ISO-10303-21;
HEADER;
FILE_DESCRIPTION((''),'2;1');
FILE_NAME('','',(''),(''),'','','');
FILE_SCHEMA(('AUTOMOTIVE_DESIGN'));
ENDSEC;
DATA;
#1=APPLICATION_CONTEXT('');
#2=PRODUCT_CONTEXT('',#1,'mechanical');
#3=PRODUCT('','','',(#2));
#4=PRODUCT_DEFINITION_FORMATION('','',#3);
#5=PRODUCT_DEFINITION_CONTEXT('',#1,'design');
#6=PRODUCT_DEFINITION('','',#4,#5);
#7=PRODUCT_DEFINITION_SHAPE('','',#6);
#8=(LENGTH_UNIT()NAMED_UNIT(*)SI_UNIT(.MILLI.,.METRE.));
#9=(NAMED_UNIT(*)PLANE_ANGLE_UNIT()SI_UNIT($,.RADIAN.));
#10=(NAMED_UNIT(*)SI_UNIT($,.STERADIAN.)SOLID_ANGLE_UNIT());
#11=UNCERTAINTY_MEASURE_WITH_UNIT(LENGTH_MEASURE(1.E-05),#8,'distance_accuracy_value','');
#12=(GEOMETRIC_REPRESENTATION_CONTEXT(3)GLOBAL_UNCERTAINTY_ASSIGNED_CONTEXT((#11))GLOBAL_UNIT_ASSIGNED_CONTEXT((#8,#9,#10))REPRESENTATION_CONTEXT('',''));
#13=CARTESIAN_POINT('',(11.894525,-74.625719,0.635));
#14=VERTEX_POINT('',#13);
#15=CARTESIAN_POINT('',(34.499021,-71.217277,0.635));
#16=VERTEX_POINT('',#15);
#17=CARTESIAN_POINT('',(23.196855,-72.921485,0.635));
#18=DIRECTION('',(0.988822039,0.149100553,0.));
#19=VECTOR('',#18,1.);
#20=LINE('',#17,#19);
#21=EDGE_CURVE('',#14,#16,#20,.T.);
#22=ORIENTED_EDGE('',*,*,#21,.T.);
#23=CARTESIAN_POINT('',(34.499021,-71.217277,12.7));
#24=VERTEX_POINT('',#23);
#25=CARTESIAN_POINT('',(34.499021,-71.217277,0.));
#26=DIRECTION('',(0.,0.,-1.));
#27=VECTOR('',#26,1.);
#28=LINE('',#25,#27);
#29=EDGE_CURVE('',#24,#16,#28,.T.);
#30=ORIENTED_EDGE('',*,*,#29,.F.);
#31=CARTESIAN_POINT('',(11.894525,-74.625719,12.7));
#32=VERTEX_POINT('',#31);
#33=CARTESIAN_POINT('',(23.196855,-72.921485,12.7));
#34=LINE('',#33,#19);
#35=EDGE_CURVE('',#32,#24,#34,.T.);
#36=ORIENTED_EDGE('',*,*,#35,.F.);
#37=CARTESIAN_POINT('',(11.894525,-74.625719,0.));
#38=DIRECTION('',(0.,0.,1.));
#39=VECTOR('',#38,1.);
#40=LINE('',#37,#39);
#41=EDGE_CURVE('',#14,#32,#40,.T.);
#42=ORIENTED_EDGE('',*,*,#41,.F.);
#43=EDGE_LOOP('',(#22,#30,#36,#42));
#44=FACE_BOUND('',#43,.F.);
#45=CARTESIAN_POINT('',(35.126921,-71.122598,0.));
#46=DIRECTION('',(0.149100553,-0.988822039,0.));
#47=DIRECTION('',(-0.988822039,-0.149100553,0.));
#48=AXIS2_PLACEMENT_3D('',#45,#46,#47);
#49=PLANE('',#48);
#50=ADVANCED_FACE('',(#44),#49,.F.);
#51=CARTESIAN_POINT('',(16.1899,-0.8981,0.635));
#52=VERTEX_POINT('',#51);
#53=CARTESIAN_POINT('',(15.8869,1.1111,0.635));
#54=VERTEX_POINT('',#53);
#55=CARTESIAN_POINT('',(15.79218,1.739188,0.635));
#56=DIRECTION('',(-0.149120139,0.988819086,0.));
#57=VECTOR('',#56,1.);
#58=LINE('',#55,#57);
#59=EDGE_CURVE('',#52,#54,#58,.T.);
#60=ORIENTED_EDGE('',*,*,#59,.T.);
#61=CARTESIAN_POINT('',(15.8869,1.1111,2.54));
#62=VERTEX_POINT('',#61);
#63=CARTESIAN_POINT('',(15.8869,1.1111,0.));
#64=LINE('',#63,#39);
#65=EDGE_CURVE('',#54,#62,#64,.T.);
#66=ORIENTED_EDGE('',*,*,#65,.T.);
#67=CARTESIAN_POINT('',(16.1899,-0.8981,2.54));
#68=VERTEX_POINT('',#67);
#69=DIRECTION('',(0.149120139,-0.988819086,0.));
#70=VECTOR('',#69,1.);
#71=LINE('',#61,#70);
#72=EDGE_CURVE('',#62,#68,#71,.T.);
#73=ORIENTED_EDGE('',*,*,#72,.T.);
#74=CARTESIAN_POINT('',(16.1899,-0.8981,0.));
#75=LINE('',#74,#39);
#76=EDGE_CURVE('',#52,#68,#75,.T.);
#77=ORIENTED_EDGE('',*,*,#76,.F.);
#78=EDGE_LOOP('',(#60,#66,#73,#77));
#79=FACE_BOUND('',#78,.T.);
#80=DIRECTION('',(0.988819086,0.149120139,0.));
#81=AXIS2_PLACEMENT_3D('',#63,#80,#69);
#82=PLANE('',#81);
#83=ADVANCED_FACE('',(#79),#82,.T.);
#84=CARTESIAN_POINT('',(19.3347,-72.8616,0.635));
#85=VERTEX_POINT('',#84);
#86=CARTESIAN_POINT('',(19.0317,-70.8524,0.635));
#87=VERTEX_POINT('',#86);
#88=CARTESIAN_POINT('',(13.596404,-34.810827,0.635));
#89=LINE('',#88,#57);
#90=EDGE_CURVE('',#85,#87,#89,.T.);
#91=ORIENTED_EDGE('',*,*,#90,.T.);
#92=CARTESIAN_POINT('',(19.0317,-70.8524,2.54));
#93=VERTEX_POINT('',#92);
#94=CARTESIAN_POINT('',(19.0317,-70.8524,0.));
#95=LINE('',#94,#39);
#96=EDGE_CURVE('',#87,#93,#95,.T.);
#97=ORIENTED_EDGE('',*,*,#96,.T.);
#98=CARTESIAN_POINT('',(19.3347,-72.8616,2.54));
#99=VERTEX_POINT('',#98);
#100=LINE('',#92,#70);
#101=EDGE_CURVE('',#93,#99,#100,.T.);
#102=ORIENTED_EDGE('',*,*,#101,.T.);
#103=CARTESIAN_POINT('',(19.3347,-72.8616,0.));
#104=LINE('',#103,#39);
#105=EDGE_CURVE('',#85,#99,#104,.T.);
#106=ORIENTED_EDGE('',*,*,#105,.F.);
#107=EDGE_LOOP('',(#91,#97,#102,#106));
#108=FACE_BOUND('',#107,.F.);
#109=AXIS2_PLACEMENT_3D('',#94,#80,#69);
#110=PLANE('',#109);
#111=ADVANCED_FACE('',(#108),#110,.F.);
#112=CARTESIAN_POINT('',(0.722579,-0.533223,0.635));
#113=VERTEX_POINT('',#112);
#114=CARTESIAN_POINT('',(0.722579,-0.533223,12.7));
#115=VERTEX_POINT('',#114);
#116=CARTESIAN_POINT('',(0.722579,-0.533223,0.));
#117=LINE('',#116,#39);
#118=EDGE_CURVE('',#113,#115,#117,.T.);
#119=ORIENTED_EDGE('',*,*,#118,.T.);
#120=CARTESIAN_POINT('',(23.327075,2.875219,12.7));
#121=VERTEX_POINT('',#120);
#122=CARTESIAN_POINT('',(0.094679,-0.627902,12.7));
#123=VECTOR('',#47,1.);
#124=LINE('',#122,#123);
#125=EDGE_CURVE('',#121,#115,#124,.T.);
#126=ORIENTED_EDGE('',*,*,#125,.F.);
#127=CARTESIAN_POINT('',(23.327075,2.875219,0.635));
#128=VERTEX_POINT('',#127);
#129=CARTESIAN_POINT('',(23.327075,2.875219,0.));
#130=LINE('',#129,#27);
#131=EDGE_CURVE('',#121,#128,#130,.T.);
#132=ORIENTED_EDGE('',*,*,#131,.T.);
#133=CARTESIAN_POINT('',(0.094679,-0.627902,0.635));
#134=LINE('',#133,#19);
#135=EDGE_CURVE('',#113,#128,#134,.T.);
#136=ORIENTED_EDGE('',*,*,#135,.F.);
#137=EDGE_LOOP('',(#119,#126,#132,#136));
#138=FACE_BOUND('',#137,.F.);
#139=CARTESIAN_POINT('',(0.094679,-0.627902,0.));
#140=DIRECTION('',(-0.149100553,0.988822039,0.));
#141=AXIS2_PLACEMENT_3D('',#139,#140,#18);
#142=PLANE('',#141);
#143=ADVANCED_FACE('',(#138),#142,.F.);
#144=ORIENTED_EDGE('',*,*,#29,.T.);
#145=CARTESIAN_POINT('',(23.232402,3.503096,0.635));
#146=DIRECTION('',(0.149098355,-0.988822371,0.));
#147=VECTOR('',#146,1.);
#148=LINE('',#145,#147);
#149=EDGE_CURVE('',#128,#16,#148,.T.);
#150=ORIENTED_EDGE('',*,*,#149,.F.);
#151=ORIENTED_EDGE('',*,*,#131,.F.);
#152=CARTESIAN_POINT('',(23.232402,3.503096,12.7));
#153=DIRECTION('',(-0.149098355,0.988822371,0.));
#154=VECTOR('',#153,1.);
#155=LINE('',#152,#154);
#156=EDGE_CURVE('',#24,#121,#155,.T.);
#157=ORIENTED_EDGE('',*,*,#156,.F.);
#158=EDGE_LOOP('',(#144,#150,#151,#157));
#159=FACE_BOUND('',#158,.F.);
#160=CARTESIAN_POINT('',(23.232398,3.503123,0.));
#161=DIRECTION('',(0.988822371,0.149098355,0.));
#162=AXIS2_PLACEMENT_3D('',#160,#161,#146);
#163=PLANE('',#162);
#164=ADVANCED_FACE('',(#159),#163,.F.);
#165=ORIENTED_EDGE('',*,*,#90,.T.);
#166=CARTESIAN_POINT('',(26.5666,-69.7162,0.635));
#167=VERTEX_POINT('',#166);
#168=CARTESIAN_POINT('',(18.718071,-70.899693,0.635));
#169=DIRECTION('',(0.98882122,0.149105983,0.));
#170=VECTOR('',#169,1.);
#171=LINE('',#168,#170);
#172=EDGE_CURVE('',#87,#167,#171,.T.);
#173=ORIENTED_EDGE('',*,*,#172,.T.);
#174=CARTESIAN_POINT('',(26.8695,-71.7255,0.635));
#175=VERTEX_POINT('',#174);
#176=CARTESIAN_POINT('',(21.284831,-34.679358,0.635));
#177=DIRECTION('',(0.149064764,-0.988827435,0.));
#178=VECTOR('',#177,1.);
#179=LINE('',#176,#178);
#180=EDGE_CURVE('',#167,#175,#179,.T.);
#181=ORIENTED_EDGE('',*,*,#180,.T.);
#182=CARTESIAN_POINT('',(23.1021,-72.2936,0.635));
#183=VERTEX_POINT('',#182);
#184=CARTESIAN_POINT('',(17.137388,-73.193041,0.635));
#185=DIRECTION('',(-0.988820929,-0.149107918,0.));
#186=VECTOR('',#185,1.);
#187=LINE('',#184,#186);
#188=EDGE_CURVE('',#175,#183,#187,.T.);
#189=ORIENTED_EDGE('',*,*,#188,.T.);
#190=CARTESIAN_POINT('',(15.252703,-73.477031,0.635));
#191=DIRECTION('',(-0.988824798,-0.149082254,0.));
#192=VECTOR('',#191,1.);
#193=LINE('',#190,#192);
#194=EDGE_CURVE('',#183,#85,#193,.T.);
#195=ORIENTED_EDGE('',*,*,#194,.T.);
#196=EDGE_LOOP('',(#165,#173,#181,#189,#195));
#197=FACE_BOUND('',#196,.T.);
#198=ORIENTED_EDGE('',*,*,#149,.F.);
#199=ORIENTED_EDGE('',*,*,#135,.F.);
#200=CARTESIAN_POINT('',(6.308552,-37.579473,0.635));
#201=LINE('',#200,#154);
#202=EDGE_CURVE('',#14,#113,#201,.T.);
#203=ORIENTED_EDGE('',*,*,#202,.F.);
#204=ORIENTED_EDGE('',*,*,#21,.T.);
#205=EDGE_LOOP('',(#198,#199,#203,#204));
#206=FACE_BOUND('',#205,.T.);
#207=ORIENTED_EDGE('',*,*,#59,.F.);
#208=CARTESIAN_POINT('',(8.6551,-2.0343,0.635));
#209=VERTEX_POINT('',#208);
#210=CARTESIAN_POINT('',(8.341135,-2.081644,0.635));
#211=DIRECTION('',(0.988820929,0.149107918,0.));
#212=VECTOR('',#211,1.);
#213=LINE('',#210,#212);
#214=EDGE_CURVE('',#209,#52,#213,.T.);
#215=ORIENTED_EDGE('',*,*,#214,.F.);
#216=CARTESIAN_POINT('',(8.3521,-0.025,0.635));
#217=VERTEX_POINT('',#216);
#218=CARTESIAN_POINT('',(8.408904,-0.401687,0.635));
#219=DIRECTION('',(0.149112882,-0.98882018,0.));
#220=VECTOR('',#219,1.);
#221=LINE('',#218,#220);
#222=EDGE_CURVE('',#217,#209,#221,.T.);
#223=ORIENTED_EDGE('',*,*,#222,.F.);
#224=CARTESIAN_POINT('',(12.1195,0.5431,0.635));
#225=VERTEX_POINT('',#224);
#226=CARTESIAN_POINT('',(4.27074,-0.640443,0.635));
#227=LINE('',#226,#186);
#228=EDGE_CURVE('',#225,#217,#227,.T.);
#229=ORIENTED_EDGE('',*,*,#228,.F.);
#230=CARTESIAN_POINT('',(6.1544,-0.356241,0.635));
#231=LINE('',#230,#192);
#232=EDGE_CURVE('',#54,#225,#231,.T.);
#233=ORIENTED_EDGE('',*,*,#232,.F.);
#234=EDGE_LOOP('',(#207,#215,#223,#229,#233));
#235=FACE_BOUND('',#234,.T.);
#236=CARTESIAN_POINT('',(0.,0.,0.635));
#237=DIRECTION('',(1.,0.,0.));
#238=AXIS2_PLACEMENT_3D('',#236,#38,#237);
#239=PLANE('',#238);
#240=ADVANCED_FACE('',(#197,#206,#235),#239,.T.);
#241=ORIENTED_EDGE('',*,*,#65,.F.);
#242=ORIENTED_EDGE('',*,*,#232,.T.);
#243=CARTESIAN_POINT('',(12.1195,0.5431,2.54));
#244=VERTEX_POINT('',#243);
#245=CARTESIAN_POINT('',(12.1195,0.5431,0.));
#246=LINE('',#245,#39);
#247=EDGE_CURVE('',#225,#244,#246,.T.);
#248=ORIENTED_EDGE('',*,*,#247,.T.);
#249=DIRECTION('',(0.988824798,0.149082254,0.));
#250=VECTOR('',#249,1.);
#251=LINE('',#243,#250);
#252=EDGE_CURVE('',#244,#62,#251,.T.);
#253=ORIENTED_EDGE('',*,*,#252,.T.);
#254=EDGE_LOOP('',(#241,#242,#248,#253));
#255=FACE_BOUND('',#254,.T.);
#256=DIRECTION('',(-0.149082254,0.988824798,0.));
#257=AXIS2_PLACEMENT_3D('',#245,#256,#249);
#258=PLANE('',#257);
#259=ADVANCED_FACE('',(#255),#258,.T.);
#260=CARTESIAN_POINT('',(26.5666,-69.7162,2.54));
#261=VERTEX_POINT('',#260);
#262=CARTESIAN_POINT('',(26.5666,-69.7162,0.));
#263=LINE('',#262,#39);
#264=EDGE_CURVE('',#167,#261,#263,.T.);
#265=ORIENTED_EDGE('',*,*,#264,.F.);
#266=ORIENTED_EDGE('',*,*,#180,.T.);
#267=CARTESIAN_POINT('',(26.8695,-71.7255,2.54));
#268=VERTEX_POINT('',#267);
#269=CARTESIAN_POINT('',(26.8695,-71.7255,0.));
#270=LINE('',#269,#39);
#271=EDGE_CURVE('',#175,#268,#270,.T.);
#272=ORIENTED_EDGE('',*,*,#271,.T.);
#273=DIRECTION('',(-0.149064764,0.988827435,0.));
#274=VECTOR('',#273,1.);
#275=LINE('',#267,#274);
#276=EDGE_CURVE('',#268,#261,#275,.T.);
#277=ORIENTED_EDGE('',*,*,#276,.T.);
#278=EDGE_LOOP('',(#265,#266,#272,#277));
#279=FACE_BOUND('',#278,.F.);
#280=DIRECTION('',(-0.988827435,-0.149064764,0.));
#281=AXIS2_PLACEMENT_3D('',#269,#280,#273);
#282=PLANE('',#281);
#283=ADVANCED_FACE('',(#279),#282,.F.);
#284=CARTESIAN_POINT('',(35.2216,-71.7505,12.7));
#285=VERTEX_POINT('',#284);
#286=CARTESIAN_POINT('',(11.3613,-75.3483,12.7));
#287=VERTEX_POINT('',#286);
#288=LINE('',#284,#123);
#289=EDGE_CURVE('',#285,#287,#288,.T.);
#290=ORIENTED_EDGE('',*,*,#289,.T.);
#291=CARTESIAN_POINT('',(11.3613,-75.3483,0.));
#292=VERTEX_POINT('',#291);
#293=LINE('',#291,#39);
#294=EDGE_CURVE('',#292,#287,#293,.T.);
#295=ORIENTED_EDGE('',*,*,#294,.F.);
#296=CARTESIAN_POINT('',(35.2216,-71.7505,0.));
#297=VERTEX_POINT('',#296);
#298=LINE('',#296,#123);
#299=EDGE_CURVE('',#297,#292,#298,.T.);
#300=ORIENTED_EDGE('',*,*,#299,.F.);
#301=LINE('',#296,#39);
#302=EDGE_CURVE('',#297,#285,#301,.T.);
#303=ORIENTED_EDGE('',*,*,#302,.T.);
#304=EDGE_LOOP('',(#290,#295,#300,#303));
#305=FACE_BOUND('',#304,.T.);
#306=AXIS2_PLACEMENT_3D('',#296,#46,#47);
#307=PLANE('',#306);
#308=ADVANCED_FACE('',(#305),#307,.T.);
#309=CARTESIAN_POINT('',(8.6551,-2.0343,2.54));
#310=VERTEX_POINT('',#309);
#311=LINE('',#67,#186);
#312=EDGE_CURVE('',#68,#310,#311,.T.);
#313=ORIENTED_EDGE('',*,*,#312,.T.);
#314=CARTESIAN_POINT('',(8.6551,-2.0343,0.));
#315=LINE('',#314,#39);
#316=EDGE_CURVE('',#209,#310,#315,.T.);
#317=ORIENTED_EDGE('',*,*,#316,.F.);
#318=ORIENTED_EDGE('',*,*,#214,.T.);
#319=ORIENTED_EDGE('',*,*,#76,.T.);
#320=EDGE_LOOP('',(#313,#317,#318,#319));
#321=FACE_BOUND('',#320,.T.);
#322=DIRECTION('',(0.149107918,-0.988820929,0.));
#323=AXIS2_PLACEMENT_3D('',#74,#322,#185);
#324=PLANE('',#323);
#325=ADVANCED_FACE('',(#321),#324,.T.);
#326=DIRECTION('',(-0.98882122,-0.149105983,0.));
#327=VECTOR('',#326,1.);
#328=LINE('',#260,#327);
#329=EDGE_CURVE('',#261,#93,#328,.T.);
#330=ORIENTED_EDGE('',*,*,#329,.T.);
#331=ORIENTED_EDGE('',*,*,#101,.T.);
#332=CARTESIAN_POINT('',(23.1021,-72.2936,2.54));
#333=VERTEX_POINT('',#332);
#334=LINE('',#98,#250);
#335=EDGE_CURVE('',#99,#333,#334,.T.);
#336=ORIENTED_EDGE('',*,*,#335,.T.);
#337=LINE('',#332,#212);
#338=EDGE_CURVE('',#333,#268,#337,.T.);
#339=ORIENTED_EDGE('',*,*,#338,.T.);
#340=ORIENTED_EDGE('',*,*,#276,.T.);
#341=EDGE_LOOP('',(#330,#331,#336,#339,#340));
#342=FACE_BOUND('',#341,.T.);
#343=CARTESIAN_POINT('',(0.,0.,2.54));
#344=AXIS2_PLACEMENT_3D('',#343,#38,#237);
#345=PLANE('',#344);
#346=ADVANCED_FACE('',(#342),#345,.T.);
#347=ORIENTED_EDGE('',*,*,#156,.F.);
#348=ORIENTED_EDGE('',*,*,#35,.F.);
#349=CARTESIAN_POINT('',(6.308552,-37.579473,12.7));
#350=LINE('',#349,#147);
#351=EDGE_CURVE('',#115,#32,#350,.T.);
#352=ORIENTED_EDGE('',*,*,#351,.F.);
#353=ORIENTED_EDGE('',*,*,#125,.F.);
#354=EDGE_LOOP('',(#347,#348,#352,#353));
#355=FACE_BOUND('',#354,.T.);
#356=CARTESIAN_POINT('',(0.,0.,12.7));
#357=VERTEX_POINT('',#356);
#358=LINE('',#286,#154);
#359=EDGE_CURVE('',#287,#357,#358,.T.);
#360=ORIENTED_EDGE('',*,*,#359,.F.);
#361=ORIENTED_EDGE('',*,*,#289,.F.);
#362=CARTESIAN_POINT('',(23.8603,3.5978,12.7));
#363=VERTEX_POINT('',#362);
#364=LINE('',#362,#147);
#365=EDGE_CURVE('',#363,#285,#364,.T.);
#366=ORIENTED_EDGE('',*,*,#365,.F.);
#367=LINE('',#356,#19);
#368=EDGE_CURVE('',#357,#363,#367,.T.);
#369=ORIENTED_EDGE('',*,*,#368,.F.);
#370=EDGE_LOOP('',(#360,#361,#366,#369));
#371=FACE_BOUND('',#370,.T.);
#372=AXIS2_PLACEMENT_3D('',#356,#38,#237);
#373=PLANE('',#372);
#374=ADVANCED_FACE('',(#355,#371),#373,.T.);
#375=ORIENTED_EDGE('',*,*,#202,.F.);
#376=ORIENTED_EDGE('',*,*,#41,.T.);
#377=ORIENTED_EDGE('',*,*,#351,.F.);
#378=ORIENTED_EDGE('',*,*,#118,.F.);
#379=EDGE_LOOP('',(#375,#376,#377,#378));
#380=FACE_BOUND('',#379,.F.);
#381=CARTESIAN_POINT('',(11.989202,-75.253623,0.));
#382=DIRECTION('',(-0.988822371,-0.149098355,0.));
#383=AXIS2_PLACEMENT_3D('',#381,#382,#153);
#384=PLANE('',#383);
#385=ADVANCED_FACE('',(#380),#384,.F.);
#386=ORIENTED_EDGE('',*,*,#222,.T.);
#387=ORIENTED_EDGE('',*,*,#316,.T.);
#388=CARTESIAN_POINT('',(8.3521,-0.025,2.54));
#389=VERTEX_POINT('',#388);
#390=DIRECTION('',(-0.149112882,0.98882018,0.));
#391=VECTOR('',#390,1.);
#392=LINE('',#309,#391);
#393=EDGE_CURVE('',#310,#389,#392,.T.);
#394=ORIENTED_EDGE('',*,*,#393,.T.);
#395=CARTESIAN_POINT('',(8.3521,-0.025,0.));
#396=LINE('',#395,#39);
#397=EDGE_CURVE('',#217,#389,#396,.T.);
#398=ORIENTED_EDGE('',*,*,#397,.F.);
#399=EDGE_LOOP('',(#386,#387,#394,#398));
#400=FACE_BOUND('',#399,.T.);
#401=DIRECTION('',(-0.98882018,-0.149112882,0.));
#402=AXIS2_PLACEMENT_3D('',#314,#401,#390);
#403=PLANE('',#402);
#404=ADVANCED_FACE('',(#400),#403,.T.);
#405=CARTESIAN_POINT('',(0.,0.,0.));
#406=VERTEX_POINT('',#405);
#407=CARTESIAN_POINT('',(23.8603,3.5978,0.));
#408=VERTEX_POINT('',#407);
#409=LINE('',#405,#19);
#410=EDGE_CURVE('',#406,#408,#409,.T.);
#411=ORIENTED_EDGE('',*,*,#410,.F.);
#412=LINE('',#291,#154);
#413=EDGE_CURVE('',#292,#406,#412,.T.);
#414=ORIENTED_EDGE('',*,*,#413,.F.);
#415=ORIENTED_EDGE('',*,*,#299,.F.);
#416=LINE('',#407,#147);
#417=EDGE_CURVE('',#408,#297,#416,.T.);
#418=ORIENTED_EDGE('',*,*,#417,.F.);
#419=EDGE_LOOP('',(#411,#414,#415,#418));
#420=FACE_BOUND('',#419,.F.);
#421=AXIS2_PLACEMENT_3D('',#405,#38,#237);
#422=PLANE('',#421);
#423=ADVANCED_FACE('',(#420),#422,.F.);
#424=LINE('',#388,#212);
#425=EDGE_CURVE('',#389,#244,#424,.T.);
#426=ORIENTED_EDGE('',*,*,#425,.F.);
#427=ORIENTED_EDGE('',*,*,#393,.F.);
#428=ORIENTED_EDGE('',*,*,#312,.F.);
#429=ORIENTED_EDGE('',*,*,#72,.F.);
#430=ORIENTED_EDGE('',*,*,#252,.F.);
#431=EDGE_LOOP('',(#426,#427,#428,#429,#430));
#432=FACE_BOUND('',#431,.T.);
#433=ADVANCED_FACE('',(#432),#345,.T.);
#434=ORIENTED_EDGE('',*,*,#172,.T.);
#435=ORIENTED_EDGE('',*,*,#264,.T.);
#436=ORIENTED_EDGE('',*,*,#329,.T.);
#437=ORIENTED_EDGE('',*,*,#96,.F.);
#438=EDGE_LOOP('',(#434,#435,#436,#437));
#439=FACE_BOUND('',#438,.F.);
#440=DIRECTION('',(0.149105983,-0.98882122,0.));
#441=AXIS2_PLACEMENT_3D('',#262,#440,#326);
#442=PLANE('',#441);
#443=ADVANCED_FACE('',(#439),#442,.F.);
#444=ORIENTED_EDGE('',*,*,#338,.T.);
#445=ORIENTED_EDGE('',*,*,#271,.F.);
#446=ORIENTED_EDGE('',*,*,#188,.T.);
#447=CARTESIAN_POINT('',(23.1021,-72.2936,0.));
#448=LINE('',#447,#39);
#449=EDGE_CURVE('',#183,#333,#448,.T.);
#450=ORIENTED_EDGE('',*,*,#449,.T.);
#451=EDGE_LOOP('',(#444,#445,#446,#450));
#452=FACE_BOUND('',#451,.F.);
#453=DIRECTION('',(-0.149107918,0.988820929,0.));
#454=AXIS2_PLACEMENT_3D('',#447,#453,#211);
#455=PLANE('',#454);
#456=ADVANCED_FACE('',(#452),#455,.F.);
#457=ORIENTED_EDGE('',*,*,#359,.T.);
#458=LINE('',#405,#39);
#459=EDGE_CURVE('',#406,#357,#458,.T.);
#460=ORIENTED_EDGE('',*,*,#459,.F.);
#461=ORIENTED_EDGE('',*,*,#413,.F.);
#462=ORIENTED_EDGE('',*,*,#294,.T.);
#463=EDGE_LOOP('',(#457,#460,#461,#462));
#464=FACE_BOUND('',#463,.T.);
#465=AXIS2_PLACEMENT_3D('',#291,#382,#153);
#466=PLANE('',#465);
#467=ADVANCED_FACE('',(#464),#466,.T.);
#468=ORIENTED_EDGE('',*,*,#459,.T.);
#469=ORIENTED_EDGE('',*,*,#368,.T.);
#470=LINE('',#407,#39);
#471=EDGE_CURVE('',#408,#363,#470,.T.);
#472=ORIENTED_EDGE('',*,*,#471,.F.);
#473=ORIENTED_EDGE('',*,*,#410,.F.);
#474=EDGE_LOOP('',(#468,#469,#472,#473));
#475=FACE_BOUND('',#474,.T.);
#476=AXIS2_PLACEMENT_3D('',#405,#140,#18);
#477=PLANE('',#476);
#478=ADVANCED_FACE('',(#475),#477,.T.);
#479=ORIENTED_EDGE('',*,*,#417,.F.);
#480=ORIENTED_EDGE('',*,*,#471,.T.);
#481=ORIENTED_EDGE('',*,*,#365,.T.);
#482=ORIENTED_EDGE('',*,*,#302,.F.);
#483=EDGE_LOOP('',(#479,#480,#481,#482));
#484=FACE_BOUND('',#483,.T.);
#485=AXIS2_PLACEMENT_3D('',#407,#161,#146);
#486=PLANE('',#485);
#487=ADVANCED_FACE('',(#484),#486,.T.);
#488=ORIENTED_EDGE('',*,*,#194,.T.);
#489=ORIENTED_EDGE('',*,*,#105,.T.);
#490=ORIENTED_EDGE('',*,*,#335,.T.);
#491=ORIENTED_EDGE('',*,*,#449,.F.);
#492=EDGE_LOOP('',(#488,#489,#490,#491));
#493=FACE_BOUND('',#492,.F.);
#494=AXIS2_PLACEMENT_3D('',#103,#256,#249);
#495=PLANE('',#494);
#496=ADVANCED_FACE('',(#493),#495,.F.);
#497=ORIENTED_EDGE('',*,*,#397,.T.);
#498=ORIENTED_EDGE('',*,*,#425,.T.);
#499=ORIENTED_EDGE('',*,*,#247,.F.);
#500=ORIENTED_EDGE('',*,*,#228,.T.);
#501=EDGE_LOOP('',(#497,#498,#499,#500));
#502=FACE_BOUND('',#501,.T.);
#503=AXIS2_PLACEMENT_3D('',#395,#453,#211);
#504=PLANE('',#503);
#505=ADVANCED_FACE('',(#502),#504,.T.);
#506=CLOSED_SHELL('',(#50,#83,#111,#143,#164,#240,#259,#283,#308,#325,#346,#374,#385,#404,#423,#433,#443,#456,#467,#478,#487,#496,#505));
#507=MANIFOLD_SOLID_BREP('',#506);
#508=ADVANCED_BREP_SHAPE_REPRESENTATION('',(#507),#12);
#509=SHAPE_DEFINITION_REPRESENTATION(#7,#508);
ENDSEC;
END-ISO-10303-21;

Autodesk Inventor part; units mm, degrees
ref_plane "YZ Plane" through (0, 0, 0) normal (1, 0, 0) x (0, 1, 0)
ref_plane "XZ Plane" through (0, 0, 0) normal (0, 1, 0) x (-1, 0, 0)
ref_plane "XY Plane" through (0, 0, 0) normal (0, 0, 1) x (1, 0, 0)
sketch "Sketch1" plane through (0, 0, 0) normal (0, 0, 1) x (1, 0, 0)
  line L0 (0, 0) -> (23.8603, 3.5978)
  line L1 (23.8603, 3.5978) -> (35.2216, -71.7505)
  line L2 (35.2216, -71.7505) -> (11.3613, -75.3483)
  line L3 (11.3613, -75.3483) -> (0, 0)
  line L4 (12.1195, 0.5431) -> (15.8869, 1.1111)
  line L5 (15.8869, 1.1111) -> (16.1899, -0.8981)
  line L6 (16.1899, -0.8981) -> (8.6551, -2.0343)
  line L7 (8.6551, -2.0343) -> (8.3521, -0.025)
  line L8 (8.3521, -0.025) -> (12.1195, 0.5431)
  line L9 (23.1021, -72.2936) -> (26.8695, -71.7255)
  line L10 (26.8695, -71.7255) -> (26.5666, -69.7162)
  line L11 (26.5666, -69.7162) -> (19.0317, -70.8524)
  line L12 (19.0317, -70.8524) -> (19.3347, -72.8616)
  line L13 (19.3347, -72.8616) -> (23.1021, -72.2936)
  dimension "d0" = 24.13
  dimension "d1" = 76.2
  dimension "d9" = 2.032
  dimension "d10" = 7.62
extrude "Extrusion1" add sketch "Sketch1" along normal blind 12.7 contours L0 L1 L2 L3 | L4 L5 L6 L7 L8 | L13 L12 L11 L10 L9
shell "Shell1" thickness 0.635 removed faces 1 at (23.4811, -47.8337, 12.7)
sketch "Sketch2" plane through (11.8946, -74.6257, 0.635) normal (0, 0, 1) x (0.9888, 0.1491, 0)
  point P0 (-0.635, 75.565)
extrude "Extrusion2" add sketch "Sketch1" along normal blind 2.54 contours L4 L5 L6 L7 L8 | L13 L12 L11 L10 L9
properties part number "batteryHousing"
